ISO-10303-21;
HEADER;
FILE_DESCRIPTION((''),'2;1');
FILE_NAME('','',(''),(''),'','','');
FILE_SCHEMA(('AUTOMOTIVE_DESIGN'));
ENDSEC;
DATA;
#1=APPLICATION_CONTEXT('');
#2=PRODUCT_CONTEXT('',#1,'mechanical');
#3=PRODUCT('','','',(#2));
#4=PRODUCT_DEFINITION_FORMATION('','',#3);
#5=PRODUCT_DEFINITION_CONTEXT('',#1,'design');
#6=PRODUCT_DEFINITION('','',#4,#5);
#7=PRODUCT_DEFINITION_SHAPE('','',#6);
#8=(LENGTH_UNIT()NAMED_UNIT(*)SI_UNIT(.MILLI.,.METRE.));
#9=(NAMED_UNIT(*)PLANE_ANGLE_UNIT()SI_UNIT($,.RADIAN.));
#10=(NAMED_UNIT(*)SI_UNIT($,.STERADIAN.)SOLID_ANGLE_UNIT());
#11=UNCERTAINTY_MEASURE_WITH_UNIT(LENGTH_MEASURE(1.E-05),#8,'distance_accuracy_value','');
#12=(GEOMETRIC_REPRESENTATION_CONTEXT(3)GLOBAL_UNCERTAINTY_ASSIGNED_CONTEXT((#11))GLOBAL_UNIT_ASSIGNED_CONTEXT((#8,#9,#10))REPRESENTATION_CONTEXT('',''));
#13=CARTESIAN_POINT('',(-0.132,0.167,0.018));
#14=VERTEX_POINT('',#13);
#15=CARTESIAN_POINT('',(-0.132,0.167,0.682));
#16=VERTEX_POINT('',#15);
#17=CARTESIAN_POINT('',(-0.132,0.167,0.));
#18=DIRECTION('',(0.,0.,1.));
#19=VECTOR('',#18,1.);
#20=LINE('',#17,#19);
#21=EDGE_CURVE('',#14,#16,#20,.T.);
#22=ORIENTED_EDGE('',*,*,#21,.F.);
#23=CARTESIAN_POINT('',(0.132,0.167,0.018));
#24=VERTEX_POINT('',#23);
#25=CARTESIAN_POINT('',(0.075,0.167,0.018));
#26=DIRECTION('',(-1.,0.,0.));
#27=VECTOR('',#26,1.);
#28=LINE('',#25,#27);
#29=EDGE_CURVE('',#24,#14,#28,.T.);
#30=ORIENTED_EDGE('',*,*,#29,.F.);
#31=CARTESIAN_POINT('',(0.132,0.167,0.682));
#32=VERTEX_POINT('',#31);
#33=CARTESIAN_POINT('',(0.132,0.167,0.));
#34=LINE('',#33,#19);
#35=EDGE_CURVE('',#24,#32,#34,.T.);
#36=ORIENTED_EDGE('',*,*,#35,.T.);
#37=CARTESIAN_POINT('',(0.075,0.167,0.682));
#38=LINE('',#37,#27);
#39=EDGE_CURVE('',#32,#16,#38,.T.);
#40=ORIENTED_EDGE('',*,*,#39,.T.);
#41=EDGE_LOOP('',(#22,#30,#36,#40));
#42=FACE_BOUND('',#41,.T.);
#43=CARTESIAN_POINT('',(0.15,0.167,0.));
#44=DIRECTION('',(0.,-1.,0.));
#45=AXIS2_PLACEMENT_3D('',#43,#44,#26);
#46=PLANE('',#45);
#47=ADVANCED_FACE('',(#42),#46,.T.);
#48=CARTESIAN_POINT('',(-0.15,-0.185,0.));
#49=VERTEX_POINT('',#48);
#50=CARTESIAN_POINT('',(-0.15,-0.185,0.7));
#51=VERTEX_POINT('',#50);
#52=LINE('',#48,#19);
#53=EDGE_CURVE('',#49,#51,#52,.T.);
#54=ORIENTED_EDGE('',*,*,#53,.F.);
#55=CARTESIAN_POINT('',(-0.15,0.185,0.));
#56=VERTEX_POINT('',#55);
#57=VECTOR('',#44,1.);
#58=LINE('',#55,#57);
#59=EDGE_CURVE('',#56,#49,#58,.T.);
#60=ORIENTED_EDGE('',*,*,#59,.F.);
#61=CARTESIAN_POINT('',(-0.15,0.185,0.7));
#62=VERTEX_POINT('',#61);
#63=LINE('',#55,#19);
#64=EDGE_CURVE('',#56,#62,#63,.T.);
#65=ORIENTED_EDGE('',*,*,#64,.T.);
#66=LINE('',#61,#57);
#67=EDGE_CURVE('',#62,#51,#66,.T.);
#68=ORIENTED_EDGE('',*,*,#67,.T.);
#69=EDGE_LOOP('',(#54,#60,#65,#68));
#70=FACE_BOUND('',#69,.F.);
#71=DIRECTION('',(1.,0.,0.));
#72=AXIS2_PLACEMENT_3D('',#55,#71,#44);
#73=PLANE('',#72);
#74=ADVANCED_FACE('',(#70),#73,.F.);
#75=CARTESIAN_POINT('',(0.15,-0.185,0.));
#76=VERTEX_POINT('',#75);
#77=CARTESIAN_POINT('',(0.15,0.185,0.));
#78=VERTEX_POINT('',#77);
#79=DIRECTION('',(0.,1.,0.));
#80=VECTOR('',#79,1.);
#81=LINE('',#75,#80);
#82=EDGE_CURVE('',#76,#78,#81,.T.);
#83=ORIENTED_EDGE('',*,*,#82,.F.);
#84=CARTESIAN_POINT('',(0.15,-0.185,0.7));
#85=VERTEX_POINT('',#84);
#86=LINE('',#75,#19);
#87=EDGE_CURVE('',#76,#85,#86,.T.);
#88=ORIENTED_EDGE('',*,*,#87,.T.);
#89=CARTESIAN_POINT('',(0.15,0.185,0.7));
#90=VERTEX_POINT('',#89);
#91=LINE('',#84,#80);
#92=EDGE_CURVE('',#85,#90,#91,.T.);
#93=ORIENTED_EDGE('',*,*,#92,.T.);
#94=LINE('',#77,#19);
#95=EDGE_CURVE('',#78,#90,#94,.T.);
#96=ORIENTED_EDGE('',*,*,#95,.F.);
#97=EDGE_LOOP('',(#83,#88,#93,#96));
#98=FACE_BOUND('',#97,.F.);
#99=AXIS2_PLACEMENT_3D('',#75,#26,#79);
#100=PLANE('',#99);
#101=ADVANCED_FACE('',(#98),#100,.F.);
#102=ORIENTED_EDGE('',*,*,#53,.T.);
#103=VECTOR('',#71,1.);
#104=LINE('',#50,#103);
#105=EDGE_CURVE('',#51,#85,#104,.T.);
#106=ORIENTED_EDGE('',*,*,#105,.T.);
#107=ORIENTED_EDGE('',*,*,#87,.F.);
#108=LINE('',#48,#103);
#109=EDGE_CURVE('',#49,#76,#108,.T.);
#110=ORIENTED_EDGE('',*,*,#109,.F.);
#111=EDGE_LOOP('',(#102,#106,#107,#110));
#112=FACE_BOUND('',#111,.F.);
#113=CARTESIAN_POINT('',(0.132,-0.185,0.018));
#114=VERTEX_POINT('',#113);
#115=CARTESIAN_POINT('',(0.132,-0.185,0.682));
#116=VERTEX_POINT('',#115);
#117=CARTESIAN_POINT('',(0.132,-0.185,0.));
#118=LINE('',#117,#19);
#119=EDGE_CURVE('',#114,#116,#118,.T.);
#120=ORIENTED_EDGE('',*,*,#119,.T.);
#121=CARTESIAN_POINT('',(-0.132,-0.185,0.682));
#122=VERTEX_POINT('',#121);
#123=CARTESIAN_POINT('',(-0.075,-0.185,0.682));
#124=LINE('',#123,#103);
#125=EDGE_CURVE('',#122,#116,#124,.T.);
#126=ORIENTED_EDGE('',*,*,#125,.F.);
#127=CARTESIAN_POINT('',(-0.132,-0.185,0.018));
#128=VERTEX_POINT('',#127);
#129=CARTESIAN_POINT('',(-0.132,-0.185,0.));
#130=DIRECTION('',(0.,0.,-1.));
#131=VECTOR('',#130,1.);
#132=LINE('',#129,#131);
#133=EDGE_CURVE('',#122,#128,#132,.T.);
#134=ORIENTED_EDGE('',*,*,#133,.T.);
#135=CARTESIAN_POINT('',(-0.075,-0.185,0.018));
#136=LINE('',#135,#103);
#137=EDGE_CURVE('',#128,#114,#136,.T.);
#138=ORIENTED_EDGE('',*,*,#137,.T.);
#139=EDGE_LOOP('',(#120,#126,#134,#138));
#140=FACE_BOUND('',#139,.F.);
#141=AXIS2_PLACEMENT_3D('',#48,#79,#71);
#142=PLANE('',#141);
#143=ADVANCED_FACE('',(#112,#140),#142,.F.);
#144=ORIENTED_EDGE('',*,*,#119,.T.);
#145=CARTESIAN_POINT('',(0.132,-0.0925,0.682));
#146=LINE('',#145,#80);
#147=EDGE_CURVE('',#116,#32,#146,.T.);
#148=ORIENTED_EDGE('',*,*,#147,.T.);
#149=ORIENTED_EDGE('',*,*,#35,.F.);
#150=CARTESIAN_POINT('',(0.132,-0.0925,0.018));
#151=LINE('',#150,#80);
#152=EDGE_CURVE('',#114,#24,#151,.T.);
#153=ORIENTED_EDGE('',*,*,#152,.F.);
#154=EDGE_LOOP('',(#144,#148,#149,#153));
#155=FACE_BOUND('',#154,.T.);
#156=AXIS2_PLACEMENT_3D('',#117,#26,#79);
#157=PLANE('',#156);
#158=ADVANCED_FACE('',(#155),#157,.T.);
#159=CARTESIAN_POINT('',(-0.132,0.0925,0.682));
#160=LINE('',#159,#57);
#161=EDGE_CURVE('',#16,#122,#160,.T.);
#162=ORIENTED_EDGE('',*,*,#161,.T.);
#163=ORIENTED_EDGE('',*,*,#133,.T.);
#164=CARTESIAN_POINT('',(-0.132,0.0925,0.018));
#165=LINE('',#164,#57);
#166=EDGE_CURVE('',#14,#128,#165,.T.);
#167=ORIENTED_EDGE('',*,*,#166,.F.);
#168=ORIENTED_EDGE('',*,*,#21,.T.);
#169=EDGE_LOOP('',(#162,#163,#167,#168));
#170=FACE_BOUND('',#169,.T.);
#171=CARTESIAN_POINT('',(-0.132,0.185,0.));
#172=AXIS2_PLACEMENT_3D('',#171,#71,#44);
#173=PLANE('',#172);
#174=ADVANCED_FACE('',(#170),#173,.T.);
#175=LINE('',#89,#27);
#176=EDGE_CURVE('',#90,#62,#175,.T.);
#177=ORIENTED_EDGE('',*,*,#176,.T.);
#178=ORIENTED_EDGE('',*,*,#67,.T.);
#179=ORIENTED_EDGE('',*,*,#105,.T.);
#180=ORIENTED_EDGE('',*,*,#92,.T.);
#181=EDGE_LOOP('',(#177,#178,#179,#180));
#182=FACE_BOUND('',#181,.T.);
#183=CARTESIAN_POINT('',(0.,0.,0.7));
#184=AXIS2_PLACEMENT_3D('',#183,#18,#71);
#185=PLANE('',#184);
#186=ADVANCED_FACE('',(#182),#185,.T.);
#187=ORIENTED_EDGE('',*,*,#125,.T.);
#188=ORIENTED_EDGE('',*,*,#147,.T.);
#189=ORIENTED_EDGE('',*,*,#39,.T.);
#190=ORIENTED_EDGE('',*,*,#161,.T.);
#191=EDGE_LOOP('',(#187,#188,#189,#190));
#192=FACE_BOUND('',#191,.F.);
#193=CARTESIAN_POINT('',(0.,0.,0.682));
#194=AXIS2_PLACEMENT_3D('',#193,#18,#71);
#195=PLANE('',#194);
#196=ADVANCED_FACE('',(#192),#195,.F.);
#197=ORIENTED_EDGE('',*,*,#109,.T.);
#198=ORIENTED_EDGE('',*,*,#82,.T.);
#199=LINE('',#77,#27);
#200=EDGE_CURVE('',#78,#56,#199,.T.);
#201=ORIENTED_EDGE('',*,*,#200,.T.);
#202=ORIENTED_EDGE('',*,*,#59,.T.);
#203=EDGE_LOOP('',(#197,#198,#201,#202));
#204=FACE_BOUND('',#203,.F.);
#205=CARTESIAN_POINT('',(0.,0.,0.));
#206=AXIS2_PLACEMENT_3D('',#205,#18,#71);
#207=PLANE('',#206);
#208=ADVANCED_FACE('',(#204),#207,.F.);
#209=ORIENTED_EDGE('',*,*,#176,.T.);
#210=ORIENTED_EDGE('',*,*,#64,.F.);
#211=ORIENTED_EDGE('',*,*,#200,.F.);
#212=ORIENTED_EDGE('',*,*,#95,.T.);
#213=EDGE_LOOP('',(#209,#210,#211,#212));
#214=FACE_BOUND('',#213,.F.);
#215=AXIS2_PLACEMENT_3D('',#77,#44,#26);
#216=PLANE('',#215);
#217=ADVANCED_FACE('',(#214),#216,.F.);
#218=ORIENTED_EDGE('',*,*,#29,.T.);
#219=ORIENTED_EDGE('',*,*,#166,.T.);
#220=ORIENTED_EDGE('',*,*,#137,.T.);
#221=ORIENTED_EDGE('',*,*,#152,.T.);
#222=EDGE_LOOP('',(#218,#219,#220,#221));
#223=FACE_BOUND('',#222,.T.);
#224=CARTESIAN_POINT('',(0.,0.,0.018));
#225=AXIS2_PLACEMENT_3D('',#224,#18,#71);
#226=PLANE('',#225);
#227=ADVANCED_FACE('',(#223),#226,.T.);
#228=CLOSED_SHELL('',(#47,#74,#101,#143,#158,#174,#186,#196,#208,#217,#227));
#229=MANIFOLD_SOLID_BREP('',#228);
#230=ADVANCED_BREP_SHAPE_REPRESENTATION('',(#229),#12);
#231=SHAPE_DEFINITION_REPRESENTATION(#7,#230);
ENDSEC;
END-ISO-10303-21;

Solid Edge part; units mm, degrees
sketch "Sketch1" plane through (0, 0, 0) normal (0, 0, 1) x (1, 0, 0)
  line L0 (-0.15, -0.185) -> (0.15, -0.185)
  line L1 (0.15, -0.185) -> (0.15, 0.185)
  line L2 (0.15, 0.185) -> (-0.15, 0.185)
  line L3 (-0.15, 0.185) -> (-0.15, -0.185)
  dimension "D1" = 0.3
  dimension "D2" = 0.37
extrude "Protrusion1" add sketch "Sketch1" along normal blind 0.7
shell "Dünnwand_1" thickness 0.018 removed faces 1 at (-0.103, -0.185, 0.5763)
